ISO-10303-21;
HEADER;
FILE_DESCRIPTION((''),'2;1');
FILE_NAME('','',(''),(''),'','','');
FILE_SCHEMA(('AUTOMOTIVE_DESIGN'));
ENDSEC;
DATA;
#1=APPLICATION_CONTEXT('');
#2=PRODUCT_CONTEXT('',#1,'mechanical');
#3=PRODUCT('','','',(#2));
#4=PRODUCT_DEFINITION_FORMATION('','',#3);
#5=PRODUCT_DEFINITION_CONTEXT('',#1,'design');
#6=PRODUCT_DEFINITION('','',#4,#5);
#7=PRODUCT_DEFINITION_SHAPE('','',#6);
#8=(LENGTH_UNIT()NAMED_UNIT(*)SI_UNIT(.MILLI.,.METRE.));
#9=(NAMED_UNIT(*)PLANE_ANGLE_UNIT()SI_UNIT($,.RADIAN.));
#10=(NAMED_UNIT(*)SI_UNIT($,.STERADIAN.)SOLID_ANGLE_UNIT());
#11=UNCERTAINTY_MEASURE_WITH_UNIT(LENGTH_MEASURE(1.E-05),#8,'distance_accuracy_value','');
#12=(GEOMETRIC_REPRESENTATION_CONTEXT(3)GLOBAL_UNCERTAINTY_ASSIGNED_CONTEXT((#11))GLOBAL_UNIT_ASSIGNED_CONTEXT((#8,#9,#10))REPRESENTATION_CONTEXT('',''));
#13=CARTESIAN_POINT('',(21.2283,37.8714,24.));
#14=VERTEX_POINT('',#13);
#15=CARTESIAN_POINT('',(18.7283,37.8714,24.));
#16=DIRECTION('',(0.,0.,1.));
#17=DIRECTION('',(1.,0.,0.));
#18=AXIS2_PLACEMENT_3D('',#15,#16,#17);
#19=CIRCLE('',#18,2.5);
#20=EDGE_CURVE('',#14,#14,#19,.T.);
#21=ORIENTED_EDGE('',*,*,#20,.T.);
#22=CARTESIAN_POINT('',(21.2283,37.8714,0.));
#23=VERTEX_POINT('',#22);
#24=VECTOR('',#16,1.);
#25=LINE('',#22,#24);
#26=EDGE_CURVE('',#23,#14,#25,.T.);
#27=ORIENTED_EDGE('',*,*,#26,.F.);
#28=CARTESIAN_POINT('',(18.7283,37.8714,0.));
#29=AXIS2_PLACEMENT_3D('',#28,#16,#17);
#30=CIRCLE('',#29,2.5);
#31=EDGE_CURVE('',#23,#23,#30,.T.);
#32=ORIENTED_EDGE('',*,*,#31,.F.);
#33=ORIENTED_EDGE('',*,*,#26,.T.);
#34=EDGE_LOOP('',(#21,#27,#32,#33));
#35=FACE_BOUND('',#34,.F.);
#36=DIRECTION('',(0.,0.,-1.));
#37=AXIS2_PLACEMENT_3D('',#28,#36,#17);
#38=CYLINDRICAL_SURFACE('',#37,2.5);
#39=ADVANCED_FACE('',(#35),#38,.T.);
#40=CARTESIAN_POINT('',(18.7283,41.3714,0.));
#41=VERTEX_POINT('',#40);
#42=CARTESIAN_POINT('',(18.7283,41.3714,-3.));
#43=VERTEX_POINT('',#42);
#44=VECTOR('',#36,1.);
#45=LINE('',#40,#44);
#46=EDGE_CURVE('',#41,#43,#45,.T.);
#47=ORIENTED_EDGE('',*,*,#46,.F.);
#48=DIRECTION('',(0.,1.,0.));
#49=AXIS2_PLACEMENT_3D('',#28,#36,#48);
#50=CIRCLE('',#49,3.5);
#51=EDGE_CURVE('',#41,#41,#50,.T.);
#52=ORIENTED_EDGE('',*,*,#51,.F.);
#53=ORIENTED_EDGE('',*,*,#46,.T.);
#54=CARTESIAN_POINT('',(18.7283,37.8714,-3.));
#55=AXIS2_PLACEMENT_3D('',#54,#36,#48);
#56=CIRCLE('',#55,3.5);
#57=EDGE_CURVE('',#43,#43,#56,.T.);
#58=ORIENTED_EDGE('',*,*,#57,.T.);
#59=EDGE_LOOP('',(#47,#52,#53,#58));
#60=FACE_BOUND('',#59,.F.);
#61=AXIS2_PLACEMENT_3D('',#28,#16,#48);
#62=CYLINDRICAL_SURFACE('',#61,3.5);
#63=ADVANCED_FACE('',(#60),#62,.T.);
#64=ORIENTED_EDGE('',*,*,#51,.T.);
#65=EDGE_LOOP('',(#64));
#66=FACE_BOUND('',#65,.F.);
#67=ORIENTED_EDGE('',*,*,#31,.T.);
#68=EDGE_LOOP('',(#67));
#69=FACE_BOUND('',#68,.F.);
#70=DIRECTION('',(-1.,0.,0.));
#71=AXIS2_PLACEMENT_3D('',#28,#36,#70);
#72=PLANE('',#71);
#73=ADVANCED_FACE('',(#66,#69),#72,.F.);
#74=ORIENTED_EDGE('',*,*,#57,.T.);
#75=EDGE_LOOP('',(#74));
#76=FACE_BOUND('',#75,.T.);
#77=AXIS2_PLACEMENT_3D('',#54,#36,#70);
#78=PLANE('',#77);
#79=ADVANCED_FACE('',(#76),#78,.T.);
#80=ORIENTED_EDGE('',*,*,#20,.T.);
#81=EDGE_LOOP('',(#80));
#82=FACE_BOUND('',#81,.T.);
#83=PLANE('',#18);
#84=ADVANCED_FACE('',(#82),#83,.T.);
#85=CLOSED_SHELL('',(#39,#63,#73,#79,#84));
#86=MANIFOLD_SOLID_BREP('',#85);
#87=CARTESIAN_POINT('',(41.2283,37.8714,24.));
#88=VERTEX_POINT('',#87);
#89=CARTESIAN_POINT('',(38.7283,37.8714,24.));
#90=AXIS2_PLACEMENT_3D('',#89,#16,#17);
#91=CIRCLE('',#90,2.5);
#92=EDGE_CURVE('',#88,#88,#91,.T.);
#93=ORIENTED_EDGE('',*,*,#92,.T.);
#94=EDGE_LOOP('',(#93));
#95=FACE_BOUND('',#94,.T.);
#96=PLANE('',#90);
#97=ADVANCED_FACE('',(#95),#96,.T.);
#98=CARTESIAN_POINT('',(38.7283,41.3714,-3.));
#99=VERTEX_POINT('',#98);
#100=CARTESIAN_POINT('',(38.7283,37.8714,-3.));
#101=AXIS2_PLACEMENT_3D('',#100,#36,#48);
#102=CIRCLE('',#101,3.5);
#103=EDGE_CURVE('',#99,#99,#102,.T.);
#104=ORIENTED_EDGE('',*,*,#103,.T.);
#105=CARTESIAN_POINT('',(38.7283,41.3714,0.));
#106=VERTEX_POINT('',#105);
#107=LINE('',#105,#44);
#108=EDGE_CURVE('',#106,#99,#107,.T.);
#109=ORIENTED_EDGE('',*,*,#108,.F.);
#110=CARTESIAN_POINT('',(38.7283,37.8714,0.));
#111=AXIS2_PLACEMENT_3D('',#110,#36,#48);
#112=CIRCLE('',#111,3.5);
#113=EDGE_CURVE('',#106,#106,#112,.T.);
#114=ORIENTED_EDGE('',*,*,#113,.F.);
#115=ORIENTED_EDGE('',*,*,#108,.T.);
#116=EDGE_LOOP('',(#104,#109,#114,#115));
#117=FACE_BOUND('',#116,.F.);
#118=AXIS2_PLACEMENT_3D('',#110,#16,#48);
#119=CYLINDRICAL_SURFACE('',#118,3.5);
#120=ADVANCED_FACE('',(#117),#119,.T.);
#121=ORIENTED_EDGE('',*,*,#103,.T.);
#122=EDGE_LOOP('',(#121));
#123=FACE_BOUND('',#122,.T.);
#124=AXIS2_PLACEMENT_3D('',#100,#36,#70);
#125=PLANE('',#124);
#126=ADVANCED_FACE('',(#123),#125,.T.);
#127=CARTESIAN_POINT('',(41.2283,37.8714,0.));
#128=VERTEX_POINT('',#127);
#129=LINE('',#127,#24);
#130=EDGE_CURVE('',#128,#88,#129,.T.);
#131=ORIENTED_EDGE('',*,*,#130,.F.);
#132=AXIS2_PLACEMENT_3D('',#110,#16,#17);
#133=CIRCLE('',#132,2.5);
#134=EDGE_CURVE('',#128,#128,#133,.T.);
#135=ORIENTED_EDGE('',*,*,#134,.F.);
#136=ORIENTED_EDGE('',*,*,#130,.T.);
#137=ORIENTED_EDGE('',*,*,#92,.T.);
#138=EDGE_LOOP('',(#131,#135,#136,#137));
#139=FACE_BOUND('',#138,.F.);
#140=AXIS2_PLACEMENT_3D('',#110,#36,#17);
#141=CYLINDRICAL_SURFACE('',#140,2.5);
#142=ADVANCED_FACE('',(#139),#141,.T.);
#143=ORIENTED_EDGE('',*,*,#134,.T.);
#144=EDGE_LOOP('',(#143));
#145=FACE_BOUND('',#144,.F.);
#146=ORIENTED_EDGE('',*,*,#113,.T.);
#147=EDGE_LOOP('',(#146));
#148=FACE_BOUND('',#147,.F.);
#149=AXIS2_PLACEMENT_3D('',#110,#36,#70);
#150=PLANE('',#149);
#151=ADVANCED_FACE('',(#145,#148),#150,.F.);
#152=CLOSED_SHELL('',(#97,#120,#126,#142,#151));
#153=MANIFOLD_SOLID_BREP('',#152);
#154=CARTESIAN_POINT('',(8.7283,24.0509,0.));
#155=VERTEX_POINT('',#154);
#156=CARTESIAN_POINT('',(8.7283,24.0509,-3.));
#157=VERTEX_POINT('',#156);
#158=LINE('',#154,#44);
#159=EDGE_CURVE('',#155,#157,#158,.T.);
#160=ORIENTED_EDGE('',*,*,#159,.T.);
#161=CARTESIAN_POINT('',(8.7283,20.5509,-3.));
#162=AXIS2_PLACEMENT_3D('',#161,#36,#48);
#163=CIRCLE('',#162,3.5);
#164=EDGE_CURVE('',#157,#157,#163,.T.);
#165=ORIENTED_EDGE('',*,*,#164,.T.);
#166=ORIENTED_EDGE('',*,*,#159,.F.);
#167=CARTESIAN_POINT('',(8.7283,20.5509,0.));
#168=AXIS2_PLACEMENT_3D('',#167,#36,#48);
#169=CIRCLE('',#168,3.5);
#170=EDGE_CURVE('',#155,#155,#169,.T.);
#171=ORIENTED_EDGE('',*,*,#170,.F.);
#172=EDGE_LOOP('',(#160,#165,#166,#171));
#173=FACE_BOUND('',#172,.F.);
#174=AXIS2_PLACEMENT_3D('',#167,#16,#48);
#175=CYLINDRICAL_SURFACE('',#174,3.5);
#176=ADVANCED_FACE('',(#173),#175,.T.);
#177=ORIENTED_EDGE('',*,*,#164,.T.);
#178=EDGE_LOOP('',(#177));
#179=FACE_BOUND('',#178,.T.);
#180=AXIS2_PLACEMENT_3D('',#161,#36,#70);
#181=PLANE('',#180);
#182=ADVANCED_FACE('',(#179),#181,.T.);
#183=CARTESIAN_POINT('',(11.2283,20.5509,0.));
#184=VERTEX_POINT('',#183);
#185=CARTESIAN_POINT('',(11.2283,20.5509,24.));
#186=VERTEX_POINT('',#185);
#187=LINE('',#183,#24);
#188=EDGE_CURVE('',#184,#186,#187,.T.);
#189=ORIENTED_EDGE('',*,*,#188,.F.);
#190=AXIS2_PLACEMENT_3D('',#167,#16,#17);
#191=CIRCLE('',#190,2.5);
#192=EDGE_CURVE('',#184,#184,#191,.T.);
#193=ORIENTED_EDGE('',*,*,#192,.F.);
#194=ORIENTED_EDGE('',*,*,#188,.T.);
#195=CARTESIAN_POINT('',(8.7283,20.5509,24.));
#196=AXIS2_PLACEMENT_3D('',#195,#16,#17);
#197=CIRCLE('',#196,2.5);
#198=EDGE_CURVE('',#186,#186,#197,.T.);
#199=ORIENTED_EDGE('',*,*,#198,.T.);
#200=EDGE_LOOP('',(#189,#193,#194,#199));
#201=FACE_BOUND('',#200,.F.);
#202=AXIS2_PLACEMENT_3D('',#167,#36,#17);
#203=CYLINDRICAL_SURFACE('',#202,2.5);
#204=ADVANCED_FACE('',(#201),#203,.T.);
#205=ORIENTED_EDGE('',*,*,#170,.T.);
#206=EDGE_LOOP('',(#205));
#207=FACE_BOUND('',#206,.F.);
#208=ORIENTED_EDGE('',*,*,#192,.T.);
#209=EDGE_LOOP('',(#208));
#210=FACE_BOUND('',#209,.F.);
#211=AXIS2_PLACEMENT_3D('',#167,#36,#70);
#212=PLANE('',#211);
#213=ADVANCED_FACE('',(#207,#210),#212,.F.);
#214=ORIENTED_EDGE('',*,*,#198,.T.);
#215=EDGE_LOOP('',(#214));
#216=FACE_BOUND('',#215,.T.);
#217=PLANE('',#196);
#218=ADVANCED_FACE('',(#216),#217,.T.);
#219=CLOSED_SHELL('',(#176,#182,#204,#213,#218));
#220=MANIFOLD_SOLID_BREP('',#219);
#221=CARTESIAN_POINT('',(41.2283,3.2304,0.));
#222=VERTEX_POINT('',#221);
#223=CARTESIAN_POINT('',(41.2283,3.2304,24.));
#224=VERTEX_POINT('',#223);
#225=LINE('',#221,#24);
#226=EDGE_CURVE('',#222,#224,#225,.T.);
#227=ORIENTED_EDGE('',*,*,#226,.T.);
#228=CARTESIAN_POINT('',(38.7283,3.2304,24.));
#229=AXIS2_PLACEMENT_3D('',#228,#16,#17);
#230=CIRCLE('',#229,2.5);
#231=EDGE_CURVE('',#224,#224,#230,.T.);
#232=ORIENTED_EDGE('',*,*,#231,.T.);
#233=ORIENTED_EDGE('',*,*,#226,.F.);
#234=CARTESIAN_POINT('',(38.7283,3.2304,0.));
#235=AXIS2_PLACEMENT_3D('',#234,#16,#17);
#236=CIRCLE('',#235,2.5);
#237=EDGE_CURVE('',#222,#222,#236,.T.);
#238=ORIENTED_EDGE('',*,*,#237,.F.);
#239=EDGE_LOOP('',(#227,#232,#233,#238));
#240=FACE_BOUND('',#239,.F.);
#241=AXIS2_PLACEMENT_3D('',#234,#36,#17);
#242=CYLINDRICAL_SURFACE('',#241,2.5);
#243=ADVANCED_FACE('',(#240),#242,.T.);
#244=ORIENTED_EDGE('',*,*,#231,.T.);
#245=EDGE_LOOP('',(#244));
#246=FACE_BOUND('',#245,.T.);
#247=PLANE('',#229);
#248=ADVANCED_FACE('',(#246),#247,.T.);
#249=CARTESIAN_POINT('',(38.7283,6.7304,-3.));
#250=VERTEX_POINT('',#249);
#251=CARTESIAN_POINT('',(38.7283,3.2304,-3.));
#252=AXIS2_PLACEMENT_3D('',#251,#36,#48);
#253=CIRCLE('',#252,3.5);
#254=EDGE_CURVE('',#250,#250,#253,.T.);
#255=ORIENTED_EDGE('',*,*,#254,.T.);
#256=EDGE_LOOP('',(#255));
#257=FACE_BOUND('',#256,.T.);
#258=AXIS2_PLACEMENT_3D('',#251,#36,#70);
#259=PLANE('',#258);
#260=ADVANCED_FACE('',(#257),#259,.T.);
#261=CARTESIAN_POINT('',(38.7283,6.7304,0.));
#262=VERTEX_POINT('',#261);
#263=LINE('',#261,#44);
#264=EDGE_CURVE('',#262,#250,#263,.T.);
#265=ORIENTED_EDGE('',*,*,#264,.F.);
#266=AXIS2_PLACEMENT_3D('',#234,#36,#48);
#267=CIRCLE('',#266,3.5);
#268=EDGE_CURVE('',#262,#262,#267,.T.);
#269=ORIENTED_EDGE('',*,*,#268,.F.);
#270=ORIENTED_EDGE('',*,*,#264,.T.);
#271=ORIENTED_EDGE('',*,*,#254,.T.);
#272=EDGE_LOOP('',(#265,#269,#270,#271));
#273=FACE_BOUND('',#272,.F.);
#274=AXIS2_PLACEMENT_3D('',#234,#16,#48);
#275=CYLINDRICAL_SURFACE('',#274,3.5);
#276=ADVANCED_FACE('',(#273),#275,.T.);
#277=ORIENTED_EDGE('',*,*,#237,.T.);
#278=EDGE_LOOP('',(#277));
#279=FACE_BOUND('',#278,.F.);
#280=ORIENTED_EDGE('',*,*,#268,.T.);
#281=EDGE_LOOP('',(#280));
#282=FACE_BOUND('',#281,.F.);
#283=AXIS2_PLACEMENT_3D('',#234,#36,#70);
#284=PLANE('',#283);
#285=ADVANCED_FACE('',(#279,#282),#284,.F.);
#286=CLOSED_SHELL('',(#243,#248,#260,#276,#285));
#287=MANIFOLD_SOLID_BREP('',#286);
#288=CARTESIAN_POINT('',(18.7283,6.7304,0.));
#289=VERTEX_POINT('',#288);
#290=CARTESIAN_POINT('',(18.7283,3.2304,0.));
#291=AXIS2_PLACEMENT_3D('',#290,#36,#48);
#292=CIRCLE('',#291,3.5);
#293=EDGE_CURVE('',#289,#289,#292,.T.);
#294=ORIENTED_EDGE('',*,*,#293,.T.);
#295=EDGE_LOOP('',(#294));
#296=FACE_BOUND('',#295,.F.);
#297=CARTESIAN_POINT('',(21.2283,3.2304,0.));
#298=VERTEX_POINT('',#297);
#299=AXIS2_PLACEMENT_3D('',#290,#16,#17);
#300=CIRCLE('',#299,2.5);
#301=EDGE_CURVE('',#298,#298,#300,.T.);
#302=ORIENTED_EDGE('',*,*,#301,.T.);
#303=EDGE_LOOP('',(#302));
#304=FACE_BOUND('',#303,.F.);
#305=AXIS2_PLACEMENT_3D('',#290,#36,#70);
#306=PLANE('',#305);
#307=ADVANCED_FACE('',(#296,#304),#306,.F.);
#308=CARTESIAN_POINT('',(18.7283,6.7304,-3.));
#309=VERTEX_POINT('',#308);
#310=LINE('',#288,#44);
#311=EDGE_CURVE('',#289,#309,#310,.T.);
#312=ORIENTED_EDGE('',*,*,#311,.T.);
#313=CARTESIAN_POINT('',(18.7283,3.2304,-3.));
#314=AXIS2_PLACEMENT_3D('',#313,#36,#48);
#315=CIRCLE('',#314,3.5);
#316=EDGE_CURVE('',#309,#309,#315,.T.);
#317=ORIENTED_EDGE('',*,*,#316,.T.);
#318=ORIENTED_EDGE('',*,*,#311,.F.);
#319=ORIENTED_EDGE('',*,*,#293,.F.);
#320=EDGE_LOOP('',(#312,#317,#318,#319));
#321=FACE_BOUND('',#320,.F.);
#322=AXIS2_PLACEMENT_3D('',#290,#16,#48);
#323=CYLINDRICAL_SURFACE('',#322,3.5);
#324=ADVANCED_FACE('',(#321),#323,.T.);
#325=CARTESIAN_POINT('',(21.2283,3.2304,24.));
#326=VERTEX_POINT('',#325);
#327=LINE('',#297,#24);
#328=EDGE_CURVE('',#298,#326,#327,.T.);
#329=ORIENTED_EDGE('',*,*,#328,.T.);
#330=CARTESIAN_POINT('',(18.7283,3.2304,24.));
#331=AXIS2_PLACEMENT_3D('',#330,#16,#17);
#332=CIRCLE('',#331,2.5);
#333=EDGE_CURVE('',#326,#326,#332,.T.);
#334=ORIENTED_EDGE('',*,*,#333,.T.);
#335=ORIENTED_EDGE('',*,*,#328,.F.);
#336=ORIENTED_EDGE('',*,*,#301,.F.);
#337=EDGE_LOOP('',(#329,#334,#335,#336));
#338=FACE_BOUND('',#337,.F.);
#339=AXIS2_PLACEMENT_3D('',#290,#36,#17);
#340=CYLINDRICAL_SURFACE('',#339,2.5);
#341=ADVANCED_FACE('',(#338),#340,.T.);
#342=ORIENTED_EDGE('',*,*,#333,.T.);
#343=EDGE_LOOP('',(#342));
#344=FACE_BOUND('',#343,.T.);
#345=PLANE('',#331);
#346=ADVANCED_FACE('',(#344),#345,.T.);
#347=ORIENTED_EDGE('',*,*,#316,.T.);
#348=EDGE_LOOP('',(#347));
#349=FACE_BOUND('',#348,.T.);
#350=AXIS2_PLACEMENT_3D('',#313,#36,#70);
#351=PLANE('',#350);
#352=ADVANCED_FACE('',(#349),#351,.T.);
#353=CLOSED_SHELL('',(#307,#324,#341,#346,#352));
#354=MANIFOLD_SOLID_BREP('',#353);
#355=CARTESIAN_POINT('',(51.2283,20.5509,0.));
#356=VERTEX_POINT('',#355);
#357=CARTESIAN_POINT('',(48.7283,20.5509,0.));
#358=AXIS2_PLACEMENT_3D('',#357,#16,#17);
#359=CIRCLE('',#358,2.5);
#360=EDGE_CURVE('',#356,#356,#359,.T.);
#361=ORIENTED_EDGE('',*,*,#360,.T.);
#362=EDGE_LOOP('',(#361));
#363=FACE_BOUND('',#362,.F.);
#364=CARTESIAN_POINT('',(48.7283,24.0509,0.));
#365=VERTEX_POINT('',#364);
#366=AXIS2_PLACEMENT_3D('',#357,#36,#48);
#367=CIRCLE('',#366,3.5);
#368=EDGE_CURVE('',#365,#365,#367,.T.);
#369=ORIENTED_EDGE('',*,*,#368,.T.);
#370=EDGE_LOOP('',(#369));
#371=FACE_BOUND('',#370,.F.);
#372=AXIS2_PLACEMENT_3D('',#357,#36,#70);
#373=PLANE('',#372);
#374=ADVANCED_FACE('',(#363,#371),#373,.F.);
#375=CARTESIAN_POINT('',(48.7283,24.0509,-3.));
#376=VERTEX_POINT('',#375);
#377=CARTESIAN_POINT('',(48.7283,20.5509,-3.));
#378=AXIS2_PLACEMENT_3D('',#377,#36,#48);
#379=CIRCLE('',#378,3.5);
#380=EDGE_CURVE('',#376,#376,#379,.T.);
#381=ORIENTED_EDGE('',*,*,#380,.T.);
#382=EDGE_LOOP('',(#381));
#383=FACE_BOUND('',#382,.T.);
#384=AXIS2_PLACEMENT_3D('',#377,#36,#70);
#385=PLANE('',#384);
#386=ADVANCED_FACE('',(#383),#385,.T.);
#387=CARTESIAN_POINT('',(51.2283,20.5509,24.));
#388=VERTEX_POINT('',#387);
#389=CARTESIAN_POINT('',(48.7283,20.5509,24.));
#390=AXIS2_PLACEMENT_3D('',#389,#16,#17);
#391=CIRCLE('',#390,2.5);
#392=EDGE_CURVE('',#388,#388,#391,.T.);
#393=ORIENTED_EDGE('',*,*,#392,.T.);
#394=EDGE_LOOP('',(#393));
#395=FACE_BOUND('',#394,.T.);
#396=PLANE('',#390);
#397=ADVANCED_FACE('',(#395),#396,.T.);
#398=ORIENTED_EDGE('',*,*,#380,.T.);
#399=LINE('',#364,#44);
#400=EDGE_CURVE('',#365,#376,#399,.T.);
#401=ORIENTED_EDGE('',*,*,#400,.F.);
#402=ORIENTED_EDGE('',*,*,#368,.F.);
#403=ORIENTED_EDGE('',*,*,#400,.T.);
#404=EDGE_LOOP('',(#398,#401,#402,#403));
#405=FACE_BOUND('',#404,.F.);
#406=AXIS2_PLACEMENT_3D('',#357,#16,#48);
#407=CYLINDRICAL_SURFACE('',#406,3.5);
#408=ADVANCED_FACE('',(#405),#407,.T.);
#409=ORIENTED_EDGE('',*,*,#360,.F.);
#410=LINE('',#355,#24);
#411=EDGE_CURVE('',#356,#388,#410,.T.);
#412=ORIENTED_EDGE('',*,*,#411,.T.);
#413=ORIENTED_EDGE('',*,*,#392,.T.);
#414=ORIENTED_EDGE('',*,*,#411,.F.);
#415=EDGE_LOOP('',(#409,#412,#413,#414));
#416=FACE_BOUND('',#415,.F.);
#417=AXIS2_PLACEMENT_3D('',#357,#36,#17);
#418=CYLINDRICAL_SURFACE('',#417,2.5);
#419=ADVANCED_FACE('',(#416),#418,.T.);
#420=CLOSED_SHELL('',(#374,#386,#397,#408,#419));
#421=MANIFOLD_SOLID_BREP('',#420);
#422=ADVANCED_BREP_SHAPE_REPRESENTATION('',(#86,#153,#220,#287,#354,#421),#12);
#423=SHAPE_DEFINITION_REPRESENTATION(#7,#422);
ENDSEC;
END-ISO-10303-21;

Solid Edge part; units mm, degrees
sketch "Sketch1" plane through (0, 0, 0) normal (0, 0, 1) x (1, 0, 0)
  circle A0 centre (8.7283, 20.5509) radius 2.5
  circle A1 centre (38.7283, 3.2304) radius 2.5
  circle A2 centre (18.7283, 3.2304) radius 2.5
  circle A3 centre (18.7283, 37.8714) radius 2.5
  circle A4 centre (38.7283, 37.8714) radius 2.5
  circle A5 centre (48.7283, 20.5509) radius 2.5
extrude "Protrusion1" add sketch "Sketch1" along normal blind 24
sketch "Sketch2" plane through (38.7283, 3.2304, 0) normal (0, 0, -1) x (0, 1, 0)
  circle A0 centre (0, 0) radius 3.5
  circle A1 centre (17.3205, 10) radius 3.5
  circle A2 centre (34.641, 0) radius 3.5
  circle A3 centre (34.641, -20) radius 3.5
  circle A4 centre (17.3205, -30) radius 3.5
  circle A5 centre (0, -20) radius 3.5
extrude "ExtrudedProtrusion_2" add sketch "Sketch2" along normal blind 3
